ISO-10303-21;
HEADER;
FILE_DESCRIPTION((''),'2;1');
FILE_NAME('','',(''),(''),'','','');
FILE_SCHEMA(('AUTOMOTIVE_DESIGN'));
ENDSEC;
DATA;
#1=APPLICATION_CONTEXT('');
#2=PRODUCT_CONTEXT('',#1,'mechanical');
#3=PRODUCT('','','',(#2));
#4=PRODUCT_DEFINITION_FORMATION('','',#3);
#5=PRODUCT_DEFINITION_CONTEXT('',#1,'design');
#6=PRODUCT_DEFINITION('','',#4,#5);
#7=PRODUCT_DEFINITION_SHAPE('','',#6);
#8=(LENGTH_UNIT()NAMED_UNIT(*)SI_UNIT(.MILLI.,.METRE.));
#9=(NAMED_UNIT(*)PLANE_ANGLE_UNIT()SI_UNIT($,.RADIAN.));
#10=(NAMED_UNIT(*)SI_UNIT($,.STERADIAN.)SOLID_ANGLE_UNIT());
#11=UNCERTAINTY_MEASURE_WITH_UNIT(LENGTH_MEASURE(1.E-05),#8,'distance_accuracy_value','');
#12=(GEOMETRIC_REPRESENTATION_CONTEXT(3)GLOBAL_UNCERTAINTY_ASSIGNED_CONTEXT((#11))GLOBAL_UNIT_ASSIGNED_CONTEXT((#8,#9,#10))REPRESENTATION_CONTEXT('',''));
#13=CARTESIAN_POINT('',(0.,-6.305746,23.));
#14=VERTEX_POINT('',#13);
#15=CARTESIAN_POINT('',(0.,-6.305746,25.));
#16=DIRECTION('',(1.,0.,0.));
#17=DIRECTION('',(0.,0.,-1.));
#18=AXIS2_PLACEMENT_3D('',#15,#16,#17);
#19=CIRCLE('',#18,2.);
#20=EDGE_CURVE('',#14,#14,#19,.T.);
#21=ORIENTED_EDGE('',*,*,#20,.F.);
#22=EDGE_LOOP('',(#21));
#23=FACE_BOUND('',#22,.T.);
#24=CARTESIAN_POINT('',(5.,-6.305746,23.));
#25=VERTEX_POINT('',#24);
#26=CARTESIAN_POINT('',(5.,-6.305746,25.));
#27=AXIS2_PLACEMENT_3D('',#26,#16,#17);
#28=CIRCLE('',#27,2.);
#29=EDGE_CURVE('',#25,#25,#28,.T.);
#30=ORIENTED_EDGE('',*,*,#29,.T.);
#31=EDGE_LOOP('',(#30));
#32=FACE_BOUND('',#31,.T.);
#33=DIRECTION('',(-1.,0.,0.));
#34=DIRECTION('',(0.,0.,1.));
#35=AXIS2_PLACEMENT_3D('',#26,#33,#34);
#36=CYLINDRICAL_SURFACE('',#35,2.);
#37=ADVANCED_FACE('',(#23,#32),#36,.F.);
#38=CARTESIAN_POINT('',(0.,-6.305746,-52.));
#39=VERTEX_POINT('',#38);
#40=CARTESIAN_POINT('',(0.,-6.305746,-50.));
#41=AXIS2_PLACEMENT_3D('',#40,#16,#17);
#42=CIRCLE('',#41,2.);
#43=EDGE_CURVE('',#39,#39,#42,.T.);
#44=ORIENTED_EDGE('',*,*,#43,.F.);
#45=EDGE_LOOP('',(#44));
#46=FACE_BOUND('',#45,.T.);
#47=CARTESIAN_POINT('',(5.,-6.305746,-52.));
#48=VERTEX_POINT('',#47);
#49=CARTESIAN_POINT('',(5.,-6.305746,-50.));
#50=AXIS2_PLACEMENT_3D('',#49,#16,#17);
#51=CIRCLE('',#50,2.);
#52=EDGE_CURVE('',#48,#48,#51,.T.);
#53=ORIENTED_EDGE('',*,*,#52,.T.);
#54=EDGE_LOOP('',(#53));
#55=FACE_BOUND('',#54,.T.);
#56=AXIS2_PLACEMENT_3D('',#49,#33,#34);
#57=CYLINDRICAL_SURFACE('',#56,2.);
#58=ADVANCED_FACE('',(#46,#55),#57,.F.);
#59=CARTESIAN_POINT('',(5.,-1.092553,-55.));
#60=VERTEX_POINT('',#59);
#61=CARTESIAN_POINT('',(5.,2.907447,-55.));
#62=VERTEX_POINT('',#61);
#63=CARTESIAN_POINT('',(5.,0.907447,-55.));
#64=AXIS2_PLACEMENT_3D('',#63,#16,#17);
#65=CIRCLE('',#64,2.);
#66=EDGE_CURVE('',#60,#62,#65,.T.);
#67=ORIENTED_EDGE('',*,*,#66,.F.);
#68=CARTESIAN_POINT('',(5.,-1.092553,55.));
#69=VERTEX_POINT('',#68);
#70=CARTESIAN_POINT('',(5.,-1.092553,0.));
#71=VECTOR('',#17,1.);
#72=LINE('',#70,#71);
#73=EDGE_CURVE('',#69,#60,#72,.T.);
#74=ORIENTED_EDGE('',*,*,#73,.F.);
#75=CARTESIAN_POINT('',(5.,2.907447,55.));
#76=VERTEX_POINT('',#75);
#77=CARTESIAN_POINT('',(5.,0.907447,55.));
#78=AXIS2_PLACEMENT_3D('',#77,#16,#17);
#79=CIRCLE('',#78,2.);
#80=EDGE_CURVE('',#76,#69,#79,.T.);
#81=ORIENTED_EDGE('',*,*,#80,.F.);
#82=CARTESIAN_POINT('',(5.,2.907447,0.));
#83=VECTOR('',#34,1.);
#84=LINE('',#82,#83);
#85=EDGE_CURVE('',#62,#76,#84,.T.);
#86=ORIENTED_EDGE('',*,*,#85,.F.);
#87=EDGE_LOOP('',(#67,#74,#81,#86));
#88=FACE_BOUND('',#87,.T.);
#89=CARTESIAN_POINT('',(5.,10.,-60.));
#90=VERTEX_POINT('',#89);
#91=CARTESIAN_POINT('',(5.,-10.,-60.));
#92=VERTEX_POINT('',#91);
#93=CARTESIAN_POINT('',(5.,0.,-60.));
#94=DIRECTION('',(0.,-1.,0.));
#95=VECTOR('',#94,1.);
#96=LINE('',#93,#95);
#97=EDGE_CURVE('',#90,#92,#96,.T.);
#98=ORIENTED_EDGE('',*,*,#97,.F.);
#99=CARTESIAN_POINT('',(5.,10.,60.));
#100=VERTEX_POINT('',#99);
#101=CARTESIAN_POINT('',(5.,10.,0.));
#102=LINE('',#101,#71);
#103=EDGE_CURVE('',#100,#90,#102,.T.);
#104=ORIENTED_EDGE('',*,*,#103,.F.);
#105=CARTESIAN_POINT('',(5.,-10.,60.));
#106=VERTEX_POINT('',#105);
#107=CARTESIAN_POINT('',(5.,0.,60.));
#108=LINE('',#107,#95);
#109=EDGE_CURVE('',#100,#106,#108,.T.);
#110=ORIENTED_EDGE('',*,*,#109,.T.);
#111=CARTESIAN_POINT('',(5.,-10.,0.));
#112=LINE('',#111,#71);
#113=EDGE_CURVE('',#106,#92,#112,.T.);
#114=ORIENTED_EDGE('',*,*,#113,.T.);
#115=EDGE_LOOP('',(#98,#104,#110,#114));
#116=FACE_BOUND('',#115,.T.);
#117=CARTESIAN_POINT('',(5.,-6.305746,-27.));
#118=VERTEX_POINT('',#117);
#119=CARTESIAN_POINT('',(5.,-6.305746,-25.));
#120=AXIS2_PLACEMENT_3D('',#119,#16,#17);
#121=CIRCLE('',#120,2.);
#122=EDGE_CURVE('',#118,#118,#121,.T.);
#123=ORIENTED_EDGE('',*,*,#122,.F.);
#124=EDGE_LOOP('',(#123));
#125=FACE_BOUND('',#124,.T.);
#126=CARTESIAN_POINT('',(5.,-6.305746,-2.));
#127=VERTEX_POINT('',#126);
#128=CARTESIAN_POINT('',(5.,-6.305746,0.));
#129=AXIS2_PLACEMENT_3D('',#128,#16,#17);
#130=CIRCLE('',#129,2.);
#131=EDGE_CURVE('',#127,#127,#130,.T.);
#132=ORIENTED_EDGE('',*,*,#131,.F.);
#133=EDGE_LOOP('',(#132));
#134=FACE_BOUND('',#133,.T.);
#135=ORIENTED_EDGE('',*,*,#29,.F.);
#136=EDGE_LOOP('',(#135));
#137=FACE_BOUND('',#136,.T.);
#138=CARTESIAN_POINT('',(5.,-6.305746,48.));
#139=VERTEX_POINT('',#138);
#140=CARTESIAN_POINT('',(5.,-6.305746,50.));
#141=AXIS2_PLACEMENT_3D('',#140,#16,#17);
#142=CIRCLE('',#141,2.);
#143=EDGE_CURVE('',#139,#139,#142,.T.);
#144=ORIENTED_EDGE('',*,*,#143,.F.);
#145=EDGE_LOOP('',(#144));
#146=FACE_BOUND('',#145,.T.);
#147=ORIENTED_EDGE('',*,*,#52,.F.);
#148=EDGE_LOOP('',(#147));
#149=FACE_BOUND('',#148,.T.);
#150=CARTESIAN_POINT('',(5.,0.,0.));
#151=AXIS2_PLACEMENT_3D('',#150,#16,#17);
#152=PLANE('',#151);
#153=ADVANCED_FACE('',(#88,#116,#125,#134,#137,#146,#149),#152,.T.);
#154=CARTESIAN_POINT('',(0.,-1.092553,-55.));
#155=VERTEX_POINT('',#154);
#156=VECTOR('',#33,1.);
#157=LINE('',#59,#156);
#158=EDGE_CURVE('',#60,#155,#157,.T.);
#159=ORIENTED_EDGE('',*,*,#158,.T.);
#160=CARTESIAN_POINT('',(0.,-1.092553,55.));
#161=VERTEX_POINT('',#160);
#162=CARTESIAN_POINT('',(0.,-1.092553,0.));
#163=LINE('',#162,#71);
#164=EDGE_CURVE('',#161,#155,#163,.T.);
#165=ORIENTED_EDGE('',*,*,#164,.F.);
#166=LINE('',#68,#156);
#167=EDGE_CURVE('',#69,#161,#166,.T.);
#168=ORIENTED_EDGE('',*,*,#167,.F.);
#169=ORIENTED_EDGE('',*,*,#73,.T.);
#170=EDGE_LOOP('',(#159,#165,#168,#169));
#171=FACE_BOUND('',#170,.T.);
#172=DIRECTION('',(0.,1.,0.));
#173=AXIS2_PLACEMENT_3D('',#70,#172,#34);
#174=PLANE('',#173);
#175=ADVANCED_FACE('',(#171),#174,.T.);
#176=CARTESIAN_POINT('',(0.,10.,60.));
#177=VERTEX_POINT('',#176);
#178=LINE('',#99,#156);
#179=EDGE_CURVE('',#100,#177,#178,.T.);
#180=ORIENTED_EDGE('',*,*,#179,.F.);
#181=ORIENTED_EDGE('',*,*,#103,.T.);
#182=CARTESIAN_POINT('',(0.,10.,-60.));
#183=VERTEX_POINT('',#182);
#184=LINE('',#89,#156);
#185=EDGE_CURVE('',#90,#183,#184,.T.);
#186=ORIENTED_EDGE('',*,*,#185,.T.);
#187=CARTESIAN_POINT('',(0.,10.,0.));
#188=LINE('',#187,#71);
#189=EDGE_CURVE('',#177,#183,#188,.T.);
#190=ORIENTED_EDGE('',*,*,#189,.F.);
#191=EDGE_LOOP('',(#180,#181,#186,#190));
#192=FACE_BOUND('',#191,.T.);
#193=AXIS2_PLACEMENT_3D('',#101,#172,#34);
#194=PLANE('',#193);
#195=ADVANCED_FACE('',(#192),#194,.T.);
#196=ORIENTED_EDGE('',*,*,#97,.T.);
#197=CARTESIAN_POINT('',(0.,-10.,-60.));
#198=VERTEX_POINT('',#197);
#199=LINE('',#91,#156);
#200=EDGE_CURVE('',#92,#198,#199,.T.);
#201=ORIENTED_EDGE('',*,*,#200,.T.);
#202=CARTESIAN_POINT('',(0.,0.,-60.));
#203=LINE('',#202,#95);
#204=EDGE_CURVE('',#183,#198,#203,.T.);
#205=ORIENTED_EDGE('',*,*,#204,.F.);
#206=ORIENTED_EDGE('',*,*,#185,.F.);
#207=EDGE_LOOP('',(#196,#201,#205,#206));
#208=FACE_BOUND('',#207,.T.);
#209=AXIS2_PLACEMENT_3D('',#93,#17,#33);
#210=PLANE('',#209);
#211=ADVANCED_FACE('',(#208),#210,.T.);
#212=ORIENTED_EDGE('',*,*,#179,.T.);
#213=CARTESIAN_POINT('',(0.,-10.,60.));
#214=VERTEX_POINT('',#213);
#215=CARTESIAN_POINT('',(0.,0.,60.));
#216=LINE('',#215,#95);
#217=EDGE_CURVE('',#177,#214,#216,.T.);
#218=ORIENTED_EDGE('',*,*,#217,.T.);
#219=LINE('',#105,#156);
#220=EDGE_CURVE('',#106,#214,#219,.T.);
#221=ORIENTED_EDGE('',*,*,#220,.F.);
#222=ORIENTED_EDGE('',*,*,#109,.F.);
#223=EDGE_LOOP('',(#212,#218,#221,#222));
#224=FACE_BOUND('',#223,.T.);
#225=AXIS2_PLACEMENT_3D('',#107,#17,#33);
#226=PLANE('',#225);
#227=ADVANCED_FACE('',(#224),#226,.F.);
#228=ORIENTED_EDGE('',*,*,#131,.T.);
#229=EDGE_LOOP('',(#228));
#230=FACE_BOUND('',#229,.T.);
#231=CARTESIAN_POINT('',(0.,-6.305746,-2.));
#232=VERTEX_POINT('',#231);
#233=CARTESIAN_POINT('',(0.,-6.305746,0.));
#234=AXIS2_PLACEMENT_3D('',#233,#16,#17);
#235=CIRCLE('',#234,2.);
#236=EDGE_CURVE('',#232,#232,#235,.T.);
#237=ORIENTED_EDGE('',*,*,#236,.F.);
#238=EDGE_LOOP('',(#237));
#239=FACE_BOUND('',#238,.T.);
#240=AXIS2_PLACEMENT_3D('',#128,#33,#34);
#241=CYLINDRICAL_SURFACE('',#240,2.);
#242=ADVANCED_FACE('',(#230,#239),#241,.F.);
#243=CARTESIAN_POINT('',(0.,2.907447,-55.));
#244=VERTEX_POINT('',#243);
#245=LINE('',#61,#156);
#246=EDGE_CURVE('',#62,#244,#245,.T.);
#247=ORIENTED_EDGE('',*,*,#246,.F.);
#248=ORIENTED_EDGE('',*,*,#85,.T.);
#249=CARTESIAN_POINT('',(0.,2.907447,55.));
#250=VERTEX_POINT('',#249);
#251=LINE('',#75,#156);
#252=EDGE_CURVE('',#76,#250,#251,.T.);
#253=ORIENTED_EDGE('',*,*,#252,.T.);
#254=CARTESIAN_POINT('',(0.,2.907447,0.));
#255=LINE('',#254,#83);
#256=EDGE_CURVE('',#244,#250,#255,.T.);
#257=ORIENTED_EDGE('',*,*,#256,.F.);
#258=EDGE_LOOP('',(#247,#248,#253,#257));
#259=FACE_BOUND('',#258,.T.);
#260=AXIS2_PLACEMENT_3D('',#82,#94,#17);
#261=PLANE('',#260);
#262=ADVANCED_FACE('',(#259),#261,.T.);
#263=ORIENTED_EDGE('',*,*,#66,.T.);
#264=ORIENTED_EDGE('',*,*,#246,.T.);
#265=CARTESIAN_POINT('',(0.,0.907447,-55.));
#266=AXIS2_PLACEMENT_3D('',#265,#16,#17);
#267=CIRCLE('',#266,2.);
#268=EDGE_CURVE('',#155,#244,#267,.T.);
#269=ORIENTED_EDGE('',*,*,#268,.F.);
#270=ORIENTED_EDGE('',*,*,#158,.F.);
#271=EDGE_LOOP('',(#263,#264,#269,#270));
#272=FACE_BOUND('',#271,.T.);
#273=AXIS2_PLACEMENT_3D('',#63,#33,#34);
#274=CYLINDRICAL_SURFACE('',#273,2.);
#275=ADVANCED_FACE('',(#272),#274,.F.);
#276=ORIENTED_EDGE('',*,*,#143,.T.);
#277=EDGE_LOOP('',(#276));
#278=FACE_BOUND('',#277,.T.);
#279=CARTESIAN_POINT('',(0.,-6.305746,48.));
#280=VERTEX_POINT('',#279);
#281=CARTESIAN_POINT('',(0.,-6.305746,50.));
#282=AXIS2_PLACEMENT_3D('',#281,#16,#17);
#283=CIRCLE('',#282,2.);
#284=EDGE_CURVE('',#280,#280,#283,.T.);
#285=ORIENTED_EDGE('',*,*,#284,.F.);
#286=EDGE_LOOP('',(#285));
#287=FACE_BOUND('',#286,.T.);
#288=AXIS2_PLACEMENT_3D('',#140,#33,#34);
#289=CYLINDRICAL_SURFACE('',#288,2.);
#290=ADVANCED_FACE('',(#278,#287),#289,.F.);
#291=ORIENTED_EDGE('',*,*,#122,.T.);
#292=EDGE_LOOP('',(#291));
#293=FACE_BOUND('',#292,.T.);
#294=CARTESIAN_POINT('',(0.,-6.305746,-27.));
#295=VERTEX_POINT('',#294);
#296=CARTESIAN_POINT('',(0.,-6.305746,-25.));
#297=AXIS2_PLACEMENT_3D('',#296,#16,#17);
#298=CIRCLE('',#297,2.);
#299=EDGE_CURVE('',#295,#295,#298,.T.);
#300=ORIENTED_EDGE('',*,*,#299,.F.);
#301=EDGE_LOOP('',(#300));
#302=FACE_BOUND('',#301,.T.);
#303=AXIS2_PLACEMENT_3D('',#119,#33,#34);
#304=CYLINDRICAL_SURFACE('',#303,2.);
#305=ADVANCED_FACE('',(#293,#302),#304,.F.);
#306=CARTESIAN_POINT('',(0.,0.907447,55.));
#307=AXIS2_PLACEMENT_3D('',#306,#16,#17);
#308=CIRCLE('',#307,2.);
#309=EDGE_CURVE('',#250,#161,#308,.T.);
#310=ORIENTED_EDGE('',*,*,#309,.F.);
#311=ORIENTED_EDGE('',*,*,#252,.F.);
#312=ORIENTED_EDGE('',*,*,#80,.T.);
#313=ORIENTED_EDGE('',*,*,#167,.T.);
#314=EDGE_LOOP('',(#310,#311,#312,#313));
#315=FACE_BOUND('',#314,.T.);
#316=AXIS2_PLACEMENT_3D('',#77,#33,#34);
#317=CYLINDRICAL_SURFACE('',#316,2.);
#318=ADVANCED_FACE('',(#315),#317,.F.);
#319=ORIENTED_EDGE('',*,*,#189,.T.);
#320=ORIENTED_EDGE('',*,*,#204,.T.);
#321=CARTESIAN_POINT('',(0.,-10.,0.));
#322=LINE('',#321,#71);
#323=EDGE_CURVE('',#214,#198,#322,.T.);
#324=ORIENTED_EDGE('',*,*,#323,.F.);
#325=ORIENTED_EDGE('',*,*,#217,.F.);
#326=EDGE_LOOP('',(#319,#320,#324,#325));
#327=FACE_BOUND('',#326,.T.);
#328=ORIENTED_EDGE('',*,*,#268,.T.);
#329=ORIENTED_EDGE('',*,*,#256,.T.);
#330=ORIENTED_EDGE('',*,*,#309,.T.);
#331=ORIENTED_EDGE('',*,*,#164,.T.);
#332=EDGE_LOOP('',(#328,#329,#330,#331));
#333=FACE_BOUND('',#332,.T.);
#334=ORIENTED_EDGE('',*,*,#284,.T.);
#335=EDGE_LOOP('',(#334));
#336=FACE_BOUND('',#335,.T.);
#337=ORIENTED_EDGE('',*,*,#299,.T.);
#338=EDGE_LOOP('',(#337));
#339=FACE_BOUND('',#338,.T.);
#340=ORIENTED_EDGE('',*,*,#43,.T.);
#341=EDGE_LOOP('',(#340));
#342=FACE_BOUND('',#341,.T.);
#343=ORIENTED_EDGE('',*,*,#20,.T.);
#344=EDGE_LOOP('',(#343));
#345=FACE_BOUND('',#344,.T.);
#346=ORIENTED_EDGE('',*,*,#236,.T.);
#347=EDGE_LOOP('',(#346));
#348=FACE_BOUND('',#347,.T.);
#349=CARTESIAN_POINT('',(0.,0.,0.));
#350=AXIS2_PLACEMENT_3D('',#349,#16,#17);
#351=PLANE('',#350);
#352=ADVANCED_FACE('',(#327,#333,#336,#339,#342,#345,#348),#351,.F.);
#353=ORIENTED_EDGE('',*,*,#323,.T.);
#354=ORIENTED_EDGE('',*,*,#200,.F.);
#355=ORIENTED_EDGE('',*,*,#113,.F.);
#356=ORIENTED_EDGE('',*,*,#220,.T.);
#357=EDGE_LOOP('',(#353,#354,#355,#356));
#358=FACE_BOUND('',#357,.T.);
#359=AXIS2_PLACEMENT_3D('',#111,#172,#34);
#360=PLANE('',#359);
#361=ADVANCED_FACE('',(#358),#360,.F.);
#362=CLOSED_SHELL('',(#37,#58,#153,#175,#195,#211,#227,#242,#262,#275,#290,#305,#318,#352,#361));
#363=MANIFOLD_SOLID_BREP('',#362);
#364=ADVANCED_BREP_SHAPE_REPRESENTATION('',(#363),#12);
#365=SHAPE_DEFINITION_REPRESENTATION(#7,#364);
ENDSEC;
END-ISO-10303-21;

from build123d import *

# Parameters (mm, degrees)
EXTRUDE_1_DEPTH = 5


with BuildPart() as part:
    # 草图2 → 凸台-拉伸1 (new body)
    # profile 1 of 2: a face of its own
    with BuildSketch(Plane(origin=(0, 0, 0), x_dir=(0, 0, -1), z_dir=(1, 0, 0))):
        with BuildLine():
            ThreePointArc((-52, -6.305745823), (-50, -4.305745823), (-48, -6.305745823))
            Line((-48, -6.305745823), (-27, -6.305745823))
            ThreePointArc((-27, -6.305745823), (-25, -4.305745823), (-23, -6.305745823))
            Line((-23, -6.305745823), (-2, -6.305745823))
            ThreePointArc((-2, -6.305745823), (0, -4.305745823), (2, -6.305745823))
            Line((2, -6.305745823), (23, -6.305745823))
            ThreePointArc((23, -6.305745823), (25, -4.305745823), (27, -6.305745823))
            Line((27, -6.305745823), (48, -6.305745823))
            ThreePointArc((48, -6.305745823), (50, -4.305745823), (52, -6.305745823))
            Line((52, -6.305745823), (60, -6.305745823))
            Line((60, -6.305745823), (60, 10))
            Line((60, 10), (-60, 10))
            Line((-60, 10), (-60, -6.305745823))
            Line((-60, -6.305745823), (-52, -6.305745823))
        make_face()
        with BuildLine():
            Line((55, -1.09255297), (-55, -1.09255297))
            ThreePointArc((-55, -1.09255297), (-57, 0.90744703), (-55, 2.90744703))
            Line((-55, 2.90744703), (55, 2.90744703))
            ThreePointArc((55, 2.90744703), (57, 0.90744703), (55, -1.09255297))
        make_face(mode=Mode.SUBTRACT)
    # profile 2 of 2: a face of its own
    with BuildSketch(Plane(origin=(0, 0, 0), x_dir=(0, 0, -1), z_dir=(1, 0, 0))):
        with BuildLine():
            Line((-27, -6.305745823), (-48, -6.305745823))
            ThreePointArc((-48, -6.305745823), (-50, -8.305745823), (-52, -6.305745823))
            Line((-52, -6.305745823), (-60, -6.305745823))
            Line((-60, -6.305745823), (-60, -10))
            Line((-60, -10), (60, -10))
            Line((60, -10), (60, -6.305745823))
            Line((60, -6.305745823), (52, -6.305745823))
            ThreePointArc((52, -6.305745823), (50, -8.305745823), (48, -6.305745823))
            Line((48, -6.305745823), (27, -6.305745823))
            ThreePointArc((27, -6.305745823), (25, -8.305745823), (23, -6.305745823))
            Line((23, -6.305745823), (2, -6.305745823))
            ThreePointArc((2, -6.305745823), (0, -8.305745823), (-2, -6.305745823))
            Line((-2, -6.305745823), (-23, -6.305745823))
            ThreePointArc((-23, -6.305745823), (-25, -8.305745823), (-27, -6.305745823))
        make_face()
    extrude(amount=EXTRUDE_1_DEPTH)


solid = part.part
